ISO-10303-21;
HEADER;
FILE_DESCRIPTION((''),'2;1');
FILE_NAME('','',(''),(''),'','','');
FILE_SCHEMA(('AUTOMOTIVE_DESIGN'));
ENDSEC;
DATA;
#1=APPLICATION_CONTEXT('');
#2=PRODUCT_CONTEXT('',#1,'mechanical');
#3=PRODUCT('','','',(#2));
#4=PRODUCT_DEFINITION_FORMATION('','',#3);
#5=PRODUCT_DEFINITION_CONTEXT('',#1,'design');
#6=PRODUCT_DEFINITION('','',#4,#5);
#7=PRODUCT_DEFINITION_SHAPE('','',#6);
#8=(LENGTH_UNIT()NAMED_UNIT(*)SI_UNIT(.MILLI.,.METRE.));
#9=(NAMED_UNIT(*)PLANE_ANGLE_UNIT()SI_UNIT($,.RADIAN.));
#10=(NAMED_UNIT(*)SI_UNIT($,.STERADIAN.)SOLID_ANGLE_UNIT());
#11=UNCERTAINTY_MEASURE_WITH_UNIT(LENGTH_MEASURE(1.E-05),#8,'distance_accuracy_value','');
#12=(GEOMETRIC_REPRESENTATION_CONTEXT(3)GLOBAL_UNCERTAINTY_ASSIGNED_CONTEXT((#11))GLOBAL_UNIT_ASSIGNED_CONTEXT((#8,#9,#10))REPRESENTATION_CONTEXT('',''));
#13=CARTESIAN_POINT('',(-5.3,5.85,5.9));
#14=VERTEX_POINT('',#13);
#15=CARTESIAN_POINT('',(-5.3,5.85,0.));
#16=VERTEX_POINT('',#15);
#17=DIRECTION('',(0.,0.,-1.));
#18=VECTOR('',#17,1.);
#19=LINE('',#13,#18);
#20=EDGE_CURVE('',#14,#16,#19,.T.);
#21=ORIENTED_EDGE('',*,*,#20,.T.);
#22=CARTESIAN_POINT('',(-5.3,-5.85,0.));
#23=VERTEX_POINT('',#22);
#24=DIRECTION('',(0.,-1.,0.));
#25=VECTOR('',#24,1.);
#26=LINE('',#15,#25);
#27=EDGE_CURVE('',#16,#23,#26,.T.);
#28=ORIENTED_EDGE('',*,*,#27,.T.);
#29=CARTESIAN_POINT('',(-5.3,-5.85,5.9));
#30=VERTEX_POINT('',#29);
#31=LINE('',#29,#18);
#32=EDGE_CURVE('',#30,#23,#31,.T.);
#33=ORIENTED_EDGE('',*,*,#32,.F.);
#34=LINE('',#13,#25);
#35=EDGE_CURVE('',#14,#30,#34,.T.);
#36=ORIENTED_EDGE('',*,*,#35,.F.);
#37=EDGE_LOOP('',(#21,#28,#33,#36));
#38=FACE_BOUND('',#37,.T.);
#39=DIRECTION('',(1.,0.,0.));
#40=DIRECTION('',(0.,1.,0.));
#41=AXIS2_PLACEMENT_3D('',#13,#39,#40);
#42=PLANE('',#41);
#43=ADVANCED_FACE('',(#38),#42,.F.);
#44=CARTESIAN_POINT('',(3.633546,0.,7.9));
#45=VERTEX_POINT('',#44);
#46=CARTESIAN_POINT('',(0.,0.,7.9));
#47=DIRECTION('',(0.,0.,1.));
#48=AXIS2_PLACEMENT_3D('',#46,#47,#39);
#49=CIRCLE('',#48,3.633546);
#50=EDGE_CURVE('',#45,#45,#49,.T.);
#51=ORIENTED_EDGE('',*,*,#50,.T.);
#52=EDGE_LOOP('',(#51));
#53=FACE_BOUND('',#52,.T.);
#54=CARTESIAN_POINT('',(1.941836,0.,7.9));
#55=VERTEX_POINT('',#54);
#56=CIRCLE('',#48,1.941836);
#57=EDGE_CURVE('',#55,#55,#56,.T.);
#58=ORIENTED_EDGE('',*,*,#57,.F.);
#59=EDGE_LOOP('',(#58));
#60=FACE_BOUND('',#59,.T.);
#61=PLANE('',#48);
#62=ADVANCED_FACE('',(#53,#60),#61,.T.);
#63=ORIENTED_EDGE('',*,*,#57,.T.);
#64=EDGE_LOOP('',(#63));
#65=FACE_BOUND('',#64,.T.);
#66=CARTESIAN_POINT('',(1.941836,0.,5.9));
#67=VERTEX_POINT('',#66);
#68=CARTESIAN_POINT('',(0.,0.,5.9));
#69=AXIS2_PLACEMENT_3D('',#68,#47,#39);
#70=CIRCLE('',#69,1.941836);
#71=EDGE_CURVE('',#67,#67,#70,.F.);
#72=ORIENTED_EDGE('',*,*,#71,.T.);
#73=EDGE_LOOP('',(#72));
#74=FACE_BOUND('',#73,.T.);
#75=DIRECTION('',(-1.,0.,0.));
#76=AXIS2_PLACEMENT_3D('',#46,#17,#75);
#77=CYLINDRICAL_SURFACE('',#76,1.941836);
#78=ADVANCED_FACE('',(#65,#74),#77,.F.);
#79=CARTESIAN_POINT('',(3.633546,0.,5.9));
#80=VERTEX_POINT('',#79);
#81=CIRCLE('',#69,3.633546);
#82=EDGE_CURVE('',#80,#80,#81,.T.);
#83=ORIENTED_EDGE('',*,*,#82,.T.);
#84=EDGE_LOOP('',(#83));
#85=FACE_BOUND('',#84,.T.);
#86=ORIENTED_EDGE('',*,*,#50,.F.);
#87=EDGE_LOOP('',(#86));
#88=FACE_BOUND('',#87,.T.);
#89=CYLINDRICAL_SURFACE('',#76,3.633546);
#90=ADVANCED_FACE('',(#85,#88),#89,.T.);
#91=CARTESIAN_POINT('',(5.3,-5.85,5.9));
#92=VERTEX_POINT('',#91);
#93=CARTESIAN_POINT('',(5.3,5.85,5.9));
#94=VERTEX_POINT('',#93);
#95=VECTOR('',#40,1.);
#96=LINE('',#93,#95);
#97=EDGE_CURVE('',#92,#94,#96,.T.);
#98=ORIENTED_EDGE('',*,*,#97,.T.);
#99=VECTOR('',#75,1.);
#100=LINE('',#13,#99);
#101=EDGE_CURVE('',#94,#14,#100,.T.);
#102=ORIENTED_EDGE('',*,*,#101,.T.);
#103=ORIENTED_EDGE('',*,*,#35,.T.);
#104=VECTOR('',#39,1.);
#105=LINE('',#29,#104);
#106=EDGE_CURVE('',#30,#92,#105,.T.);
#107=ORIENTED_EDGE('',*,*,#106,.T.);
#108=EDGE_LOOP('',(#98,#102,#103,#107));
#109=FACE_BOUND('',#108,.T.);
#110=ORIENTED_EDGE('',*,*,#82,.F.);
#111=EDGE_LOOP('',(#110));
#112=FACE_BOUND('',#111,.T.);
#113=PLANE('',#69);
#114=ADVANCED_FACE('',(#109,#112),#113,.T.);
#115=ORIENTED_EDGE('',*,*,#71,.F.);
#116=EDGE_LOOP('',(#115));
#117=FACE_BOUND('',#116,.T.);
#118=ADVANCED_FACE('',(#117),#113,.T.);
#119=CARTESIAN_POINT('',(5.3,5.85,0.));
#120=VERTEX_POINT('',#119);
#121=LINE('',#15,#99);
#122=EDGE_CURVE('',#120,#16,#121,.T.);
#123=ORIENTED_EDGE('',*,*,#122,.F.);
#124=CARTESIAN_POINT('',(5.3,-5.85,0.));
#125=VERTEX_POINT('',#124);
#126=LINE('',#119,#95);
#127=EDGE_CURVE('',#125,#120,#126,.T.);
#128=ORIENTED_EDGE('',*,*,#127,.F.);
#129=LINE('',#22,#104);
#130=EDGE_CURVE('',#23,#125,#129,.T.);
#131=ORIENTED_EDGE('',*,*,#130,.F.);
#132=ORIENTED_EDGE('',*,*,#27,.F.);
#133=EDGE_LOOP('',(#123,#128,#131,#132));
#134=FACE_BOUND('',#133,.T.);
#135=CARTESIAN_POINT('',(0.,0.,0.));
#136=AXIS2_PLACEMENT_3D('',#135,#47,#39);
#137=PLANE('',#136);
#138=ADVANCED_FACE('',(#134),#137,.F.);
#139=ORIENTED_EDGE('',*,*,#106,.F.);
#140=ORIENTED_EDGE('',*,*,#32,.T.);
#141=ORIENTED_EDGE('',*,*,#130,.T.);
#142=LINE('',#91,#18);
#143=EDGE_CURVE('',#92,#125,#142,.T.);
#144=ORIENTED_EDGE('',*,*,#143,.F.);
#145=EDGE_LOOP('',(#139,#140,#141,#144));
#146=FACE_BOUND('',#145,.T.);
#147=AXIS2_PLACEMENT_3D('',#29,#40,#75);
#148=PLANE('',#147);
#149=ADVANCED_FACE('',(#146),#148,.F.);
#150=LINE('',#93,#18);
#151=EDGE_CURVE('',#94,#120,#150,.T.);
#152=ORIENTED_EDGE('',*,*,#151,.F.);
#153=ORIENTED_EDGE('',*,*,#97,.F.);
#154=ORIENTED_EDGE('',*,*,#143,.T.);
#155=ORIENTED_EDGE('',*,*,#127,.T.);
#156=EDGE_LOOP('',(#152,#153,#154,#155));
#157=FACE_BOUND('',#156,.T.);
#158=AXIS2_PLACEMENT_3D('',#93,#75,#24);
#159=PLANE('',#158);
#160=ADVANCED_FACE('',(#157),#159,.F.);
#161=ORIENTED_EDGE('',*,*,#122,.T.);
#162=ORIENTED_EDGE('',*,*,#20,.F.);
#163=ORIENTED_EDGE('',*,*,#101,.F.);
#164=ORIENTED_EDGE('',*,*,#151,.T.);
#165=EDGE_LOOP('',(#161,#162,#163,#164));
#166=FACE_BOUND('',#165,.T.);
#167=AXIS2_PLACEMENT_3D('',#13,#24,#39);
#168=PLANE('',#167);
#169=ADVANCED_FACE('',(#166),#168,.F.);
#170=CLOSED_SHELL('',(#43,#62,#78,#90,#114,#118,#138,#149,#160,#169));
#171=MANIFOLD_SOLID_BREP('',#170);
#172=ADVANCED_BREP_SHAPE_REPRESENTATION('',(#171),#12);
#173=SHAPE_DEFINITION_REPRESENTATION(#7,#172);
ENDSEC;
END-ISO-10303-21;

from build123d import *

# Parameters (mm, degrees)
ESQUISSE1_W        = 10.6
ESQUISSE1_H        = 11.7
BOSS_EXTRU_1_DEPTH = 5.9
ESQUISSE2_R        = 3.633546232
ESQUISSE2_R_2      = 1.941835626
BOSS_EXTRU_2_DEPTH = 2


with BuildPart() as part:
    # Esquisse1 → Boss.-Extru.1 (new body)
    with BuildSketch(Plane.XY):
        Rectangle(ESQUISSE1_W, ESQUISSE1_H)
    extrude(amount=BOSS_EXTRU_1_DEPTH)

    # Esquisse2 → Boss.-Extru.2 (add)
    with BuildSketch(Plane.XY.offset(5.9)):
        Circle(ESQUISSE2_R)
        Circle(ESQUISSE2_R_2, mode=Mode.SUBTRACT)
    extrude(amount=BOSS_EXTRU_2_DEPTH)


solid = part.part
